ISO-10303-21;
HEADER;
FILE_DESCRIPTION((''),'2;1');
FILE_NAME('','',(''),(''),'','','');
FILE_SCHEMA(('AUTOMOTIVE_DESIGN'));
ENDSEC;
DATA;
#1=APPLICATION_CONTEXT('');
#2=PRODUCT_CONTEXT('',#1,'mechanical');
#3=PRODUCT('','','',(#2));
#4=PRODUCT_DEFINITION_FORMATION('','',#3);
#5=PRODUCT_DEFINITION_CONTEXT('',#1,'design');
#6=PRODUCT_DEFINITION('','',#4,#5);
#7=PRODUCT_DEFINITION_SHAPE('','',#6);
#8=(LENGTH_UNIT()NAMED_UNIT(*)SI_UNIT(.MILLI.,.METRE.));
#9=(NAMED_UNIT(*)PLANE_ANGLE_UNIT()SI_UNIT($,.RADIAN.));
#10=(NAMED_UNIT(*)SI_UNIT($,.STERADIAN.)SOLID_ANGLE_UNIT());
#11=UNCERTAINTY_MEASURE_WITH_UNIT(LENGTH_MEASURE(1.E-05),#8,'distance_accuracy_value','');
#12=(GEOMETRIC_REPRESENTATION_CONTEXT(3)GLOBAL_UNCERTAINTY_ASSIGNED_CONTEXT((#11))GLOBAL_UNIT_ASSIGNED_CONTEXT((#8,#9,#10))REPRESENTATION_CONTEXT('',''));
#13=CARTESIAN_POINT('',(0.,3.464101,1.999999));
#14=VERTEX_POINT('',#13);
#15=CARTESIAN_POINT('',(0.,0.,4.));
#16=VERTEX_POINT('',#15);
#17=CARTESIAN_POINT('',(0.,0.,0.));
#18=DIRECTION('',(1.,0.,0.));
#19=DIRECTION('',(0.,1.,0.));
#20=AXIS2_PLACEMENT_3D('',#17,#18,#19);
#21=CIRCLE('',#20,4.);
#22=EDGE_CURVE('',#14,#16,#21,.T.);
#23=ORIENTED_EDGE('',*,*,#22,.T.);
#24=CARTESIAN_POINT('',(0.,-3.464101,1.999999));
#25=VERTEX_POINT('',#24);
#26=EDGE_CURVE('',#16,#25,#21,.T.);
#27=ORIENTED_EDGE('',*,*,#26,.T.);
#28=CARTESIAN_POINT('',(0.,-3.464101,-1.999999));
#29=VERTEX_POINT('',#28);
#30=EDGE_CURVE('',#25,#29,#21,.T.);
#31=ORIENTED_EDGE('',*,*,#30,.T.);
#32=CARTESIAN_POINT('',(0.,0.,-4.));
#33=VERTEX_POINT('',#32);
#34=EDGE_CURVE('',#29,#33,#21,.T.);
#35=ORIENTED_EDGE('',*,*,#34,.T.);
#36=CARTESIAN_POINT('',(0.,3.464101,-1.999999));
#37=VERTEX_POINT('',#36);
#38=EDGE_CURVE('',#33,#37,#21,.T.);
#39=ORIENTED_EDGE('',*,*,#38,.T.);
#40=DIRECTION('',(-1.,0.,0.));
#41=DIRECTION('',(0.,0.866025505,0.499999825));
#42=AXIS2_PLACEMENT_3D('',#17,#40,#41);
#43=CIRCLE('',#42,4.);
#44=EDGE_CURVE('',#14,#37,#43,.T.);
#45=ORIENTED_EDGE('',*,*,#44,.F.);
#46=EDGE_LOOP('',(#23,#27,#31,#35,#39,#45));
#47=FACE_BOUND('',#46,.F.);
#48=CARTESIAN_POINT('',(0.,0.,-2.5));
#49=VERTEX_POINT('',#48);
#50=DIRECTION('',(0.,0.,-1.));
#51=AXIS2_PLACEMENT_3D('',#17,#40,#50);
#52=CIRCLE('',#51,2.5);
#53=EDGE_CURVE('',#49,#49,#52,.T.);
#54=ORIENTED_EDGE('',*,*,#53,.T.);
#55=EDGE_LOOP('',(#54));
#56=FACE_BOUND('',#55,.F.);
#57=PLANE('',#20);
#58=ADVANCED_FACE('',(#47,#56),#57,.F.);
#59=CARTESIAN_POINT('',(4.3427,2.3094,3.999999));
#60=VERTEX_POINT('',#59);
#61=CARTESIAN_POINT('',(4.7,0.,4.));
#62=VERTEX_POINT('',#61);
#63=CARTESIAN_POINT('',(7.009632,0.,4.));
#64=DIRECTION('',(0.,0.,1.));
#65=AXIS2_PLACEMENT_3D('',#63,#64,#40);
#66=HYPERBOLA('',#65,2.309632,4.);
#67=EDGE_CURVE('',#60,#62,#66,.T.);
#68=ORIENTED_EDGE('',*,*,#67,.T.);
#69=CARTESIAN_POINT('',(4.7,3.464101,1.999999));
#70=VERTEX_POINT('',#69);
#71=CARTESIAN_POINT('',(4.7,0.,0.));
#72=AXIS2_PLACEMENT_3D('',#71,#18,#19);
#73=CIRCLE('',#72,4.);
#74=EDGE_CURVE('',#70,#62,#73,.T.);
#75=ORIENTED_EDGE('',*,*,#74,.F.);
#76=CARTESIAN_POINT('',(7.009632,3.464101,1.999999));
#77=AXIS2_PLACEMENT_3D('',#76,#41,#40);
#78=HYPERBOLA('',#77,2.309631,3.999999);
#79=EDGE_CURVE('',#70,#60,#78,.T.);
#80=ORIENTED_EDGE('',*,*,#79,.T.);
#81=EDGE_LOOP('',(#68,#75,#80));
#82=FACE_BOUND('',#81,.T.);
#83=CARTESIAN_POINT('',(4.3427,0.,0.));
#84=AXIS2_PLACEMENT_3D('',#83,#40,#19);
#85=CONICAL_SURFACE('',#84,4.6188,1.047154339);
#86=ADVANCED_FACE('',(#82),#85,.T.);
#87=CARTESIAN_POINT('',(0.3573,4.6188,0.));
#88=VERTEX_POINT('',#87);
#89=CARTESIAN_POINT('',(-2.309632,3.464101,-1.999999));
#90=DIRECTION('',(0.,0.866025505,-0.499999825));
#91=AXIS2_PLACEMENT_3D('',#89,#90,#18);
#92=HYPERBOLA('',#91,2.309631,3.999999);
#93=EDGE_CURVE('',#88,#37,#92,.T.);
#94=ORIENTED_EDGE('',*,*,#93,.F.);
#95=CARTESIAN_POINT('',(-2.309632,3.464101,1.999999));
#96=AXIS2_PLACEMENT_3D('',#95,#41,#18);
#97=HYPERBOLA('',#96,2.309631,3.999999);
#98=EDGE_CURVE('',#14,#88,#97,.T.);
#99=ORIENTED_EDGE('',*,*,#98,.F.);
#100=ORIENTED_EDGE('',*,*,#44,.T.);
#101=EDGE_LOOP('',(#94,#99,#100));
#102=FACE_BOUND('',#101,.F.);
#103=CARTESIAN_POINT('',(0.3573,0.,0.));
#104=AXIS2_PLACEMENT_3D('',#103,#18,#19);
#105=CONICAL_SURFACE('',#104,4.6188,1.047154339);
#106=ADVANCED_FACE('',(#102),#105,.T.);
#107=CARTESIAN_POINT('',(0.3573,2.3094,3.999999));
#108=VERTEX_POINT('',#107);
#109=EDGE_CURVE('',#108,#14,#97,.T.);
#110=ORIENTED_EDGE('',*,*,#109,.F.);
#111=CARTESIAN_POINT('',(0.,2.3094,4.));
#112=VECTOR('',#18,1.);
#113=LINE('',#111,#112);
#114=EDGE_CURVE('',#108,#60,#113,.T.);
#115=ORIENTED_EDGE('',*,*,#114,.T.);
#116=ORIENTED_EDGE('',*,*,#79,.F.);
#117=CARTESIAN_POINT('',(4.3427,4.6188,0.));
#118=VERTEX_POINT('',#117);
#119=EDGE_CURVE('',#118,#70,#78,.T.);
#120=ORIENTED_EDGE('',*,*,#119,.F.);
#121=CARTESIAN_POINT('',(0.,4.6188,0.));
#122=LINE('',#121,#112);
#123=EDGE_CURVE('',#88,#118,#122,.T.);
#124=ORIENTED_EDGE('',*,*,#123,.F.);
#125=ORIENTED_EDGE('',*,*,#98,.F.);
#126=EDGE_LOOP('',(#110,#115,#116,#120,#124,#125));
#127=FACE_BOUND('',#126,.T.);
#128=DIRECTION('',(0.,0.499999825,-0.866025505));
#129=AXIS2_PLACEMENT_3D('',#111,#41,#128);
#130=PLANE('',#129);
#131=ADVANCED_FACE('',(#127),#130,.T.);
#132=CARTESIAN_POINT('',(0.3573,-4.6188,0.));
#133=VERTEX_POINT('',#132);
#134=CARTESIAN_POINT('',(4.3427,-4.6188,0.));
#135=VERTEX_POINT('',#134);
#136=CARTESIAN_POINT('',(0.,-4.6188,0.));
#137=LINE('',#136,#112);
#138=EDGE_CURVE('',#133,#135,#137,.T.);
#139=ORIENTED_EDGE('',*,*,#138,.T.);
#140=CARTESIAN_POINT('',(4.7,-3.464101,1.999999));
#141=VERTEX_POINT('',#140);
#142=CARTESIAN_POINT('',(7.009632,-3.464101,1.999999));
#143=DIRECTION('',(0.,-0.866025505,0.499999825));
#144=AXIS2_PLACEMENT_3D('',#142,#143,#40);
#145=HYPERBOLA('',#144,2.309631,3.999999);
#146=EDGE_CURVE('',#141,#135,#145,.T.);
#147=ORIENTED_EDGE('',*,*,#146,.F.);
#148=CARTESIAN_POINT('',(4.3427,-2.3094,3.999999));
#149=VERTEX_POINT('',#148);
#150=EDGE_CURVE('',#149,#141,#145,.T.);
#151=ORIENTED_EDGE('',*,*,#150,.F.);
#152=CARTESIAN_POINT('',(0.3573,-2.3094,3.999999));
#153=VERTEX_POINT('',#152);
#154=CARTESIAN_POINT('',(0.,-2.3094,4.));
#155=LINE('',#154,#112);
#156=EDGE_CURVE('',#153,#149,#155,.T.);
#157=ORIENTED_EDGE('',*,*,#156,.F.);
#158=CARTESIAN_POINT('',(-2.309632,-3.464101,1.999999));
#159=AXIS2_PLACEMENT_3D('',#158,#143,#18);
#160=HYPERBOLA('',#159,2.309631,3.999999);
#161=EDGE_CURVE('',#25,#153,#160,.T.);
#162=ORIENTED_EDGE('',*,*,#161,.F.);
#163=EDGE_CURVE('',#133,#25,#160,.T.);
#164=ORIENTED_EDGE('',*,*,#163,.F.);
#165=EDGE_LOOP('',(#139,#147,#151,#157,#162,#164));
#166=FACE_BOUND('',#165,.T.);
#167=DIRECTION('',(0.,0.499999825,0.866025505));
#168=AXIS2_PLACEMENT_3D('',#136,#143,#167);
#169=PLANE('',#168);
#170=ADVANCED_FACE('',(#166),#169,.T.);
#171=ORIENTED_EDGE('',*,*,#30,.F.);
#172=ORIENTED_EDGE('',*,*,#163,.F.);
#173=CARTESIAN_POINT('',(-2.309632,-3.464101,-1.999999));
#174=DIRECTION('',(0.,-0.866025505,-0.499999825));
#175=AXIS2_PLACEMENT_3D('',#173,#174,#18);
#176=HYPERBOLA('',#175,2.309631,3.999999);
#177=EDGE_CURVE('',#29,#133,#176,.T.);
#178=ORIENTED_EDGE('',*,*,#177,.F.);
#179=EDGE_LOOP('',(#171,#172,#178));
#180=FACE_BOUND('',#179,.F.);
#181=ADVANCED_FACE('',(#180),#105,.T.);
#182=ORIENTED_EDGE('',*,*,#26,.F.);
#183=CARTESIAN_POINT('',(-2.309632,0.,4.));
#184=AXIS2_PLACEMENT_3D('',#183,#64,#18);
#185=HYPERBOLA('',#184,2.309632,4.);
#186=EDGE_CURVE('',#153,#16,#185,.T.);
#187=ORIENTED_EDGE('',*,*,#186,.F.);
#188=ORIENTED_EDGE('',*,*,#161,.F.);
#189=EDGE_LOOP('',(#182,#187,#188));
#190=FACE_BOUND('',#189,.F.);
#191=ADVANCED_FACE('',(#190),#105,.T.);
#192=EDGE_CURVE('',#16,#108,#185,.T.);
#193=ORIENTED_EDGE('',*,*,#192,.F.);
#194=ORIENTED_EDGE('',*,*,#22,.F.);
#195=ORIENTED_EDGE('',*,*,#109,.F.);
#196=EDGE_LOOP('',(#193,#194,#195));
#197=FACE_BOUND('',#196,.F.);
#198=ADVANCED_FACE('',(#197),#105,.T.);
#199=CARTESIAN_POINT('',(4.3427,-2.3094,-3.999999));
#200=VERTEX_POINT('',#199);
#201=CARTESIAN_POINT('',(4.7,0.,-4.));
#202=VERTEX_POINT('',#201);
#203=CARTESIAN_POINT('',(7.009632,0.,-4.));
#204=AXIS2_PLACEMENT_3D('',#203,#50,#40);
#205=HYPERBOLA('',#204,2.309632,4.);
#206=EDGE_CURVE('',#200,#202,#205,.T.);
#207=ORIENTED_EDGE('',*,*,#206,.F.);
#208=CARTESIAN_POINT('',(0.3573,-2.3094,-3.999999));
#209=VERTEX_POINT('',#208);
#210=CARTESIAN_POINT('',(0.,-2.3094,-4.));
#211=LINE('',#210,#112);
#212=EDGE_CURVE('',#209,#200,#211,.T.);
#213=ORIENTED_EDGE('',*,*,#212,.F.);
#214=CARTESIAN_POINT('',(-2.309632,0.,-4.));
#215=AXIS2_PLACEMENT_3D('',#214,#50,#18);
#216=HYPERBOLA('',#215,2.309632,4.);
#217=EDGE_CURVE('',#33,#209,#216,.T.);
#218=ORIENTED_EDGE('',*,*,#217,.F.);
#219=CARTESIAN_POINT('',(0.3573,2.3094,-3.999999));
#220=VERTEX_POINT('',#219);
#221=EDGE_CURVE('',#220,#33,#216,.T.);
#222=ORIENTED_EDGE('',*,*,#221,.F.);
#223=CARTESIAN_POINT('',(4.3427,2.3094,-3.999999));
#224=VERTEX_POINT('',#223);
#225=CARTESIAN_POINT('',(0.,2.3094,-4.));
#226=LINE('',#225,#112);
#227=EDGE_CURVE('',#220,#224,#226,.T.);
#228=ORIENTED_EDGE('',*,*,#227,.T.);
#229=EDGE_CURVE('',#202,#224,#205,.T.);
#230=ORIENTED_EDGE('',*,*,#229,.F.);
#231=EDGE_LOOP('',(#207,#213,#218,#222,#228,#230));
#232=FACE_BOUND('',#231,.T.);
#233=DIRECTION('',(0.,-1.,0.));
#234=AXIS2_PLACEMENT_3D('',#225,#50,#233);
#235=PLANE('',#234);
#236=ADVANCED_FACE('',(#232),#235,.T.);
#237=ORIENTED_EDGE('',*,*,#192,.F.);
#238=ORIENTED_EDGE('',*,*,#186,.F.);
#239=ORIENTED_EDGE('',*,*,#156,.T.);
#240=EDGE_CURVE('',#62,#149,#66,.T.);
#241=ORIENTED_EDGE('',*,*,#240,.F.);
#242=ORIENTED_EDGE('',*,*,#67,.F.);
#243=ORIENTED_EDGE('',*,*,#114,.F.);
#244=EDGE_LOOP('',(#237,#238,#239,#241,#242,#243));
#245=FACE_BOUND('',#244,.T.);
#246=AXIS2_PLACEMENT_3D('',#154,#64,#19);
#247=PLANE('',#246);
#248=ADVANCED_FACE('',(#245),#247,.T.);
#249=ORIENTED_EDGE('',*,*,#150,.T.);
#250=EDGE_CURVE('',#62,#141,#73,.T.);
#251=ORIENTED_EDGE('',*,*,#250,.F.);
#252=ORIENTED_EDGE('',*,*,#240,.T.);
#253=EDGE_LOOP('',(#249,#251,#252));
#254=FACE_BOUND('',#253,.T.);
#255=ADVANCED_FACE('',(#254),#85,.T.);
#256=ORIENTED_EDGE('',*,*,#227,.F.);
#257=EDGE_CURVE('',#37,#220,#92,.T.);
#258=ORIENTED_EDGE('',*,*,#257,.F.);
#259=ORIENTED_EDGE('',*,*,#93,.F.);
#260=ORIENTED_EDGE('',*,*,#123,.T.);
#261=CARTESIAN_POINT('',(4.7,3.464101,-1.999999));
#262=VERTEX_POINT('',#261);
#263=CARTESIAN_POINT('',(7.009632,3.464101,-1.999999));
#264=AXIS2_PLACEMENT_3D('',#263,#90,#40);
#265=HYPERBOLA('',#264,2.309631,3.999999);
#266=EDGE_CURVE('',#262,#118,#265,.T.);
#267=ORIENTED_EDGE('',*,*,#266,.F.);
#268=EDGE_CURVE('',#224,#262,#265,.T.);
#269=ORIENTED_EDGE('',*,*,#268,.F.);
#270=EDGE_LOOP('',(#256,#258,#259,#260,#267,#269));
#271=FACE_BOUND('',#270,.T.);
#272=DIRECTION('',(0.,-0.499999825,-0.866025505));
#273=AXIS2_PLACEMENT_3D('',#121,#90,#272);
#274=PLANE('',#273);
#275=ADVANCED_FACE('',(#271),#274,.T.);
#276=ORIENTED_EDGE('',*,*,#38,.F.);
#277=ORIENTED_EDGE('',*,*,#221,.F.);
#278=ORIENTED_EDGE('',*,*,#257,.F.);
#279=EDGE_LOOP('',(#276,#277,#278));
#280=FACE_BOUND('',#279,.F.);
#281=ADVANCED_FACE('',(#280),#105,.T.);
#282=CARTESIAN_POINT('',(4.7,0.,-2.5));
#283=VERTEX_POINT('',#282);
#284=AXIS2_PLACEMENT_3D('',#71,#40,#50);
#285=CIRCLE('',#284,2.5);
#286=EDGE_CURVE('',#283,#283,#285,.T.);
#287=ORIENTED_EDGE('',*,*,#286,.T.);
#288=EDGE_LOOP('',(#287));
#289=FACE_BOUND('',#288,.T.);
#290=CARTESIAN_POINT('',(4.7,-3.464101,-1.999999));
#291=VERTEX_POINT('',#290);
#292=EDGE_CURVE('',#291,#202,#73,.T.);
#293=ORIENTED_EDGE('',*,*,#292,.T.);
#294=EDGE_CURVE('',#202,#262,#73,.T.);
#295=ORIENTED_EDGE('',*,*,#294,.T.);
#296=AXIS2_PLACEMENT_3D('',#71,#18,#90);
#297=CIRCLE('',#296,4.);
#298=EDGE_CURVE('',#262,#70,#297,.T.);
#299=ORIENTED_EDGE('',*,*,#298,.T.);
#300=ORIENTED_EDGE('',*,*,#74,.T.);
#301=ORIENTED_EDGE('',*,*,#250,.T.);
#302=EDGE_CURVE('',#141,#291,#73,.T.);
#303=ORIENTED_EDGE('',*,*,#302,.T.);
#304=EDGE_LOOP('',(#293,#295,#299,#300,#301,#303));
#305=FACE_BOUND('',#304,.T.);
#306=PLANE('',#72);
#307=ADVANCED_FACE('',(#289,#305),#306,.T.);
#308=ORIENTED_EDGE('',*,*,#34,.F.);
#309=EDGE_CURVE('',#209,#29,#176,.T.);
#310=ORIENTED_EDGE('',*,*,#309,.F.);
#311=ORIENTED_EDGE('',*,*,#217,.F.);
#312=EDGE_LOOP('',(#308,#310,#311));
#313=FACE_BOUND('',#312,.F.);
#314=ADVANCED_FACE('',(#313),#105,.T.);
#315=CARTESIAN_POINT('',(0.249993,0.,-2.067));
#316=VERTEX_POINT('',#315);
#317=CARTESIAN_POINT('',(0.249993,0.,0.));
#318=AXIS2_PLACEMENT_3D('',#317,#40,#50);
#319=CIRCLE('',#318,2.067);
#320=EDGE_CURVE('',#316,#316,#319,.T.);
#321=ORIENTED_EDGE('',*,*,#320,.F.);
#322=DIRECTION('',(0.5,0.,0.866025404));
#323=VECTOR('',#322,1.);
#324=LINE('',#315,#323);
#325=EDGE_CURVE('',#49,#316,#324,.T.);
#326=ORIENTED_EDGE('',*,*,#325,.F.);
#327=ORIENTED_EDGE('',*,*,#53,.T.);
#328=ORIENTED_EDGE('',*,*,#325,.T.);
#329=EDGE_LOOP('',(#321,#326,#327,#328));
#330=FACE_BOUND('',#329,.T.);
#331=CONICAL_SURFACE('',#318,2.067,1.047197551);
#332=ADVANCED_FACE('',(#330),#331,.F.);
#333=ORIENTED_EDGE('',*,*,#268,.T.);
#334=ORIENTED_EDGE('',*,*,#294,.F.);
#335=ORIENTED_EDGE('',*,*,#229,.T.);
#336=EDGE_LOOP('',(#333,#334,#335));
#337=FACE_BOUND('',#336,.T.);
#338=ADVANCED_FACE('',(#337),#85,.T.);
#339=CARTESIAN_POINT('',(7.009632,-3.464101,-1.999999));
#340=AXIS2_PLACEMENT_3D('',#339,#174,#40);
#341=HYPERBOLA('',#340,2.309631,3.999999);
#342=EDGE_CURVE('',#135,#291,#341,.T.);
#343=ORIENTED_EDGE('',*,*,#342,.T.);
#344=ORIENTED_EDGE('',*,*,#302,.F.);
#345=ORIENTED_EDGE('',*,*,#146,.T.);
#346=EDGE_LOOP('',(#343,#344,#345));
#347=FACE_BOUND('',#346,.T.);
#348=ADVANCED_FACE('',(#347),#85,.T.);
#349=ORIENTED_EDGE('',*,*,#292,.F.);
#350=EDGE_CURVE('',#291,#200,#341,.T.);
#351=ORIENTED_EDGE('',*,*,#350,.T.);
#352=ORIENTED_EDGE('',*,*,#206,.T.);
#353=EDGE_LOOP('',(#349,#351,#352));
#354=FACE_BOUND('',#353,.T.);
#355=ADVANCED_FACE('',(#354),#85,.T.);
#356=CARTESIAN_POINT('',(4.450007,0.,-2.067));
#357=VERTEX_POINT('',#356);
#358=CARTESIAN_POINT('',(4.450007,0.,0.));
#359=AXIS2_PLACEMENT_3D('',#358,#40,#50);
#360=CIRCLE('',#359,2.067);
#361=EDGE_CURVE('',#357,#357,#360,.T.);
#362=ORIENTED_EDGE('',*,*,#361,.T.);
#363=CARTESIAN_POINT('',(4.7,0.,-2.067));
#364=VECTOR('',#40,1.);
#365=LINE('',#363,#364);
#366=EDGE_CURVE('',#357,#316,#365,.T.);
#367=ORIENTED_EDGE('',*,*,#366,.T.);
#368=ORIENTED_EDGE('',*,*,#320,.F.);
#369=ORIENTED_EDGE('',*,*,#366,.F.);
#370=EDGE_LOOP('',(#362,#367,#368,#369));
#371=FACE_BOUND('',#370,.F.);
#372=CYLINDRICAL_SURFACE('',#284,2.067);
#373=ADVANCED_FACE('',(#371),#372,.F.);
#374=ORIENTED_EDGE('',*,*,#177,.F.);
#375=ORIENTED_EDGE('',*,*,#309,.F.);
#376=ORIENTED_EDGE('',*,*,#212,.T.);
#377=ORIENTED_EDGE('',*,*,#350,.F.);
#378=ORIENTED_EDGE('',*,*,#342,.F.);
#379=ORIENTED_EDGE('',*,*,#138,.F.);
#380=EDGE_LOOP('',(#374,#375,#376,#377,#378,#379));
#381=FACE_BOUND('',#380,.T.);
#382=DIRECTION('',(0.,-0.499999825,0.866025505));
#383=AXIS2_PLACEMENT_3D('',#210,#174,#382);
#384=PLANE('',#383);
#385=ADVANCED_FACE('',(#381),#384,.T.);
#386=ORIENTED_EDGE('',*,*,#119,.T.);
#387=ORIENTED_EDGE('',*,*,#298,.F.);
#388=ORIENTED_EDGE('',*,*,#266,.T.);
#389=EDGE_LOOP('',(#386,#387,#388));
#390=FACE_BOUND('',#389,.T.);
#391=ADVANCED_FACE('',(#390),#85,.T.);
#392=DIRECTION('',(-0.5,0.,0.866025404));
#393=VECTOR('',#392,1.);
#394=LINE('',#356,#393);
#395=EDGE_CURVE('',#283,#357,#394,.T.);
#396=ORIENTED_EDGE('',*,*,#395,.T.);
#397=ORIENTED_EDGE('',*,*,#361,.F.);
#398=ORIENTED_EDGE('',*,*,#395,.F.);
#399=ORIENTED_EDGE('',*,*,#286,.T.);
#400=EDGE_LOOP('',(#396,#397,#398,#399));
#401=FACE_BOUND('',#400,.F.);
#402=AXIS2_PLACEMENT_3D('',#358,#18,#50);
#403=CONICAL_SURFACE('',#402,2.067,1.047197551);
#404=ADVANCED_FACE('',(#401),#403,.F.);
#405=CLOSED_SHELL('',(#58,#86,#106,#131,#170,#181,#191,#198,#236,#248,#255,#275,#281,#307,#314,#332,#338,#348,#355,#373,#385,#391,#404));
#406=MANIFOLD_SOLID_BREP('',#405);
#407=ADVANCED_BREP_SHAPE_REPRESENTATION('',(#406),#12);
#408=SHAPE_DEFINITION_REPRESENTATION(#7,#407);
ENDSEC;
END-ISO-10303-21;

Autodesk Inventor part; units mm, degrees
ref_plane "YZ Plane" through (0, 0, 0) normal (1, 0, 0) x (0, 1, 0)
ref_plane "XZ Plane" through (0, 0, 0) normal (0, 1, 0) x (-1, 0, 0)
sketch "Sketch1" plane through (0, 0, 0) normal (1, 0, 0) x (0, 1, 0)
  line L0 (-4.6188, 0) -> (-2.3094, 4)
  line L1 (-2.3094, 4) -> (2.3094, 4)
  line L2 (2.3094, 4) -> (4.6188, 0)
  line L3 (4.6188, 0) -> (2.3094, -4)
  line L4 (2.3094, -4) -> (-2.3094, -4)
  line L5 (-2.3094, -4) -> (-4.6188, 0)
  point P0 (0, 0)
  point P1 (0, 0)
  dimension "d0" = 9.2376
extrude "Body" add sketch "Sketch1" along normal blind 4.7
sketch "Sketch2" plane through (0, 0, 0) normal (0, 0, 1) x (1, 0, 0)
  line L0 (0, 2.3094) -> (0, 4.6188) projected
  line L1 (0, 4.6188) -> (4.7, 4.6188) projected
  line L2 (4.7, 2.3094) -> (4.7, 4.6188) projected
  line L3 (-0.94, 0) -> (5.64, 0) projected
  line L4 (0.3573, 4.6188) -> (0, 4)
  line L5 (4.3427, 4.6188) -> (4.7, 4)
  dimension "d3" = 30
  dimension "d4" = 30
  dimension "d5" = 8
  dimension "d6" = 8
revolve "Chamfer1" cut sketch "Sketch2" angle 360 about axis through (-10, 0, 0) along (1, 0, 0)
sketch "Sketch3" plane through (4.7, 0, 0) normal (1, 0, 0) x (0, 0, -1)
  arc A0 (-2, -3.4641) -> (2, -3.4641) centre (0, 0) ccw projected
hole "Thread" at (4.7, 0, 0) direction (-1, 0, 0) diameter 4.134 end through all thread size "M5x0.8" class "6H" standard "ISO Metric profile"
chamfer "Chamfer2" distance 0.433 angle 30 1 edges at (4.7, 0, 2.067) measured on face at (4.7, 3.336, -0.083)
chamfer "Chamfer3" distance 0.433 angle 30 1 edges at (0, 0, 2.067) measured on face at (0, 3.336, -0.083)
ref_plane "Work Plane1" through (-8.3929, 0, 0) normal (0, -0.866, -0.5) x (1, 0, 0)
equation "\"d0\" = 1.1547 * SW"
equation "\"d1\" = KOH"
equation "\"d3\" = ANG1"
equation "\"d4\" = ANG2"
equation "\"d5\" = SW0"
equation "\"d6\" = SW01"
equation "\"d8\" = -0.5 * GD1 + 0.5 * NND"
equation "\"d40\" = -0.5 * GD1 + 0.5 * NND"
equation "\"d10\" = -0.5 * GD1 + 0.5 * NND"
equation "\"d41\" = -0.5 * GD1 + 0.5 * NND"
equation "\"ANG1\" = 30deg"
equation "\"ANG2\" = 30deg"
equation "\"NND\" = 5"
equation "\"KOH\" = 4.7"
equation "\"SW\" = 8"
equation "\"SW0\" = SW"
equation "\"SW01\" = SW"
equation "\"GUL\" = 0.541266 * PTC"
equation "\"WFT\" = 0.5"
equation "\"THREADDIA\" = 5"
equation "\"TOA\" = 30deg"
equation "\"PTC\" = 0.8"
equation "\"E0\" = 1.155 * SW"
equation "\"GAL\" = 0.541266 * PTC"
equation "\"GD1\" = 4.133975"
properties part number "AS 1112 - M5  Type 5" material "Steel, Mild"
